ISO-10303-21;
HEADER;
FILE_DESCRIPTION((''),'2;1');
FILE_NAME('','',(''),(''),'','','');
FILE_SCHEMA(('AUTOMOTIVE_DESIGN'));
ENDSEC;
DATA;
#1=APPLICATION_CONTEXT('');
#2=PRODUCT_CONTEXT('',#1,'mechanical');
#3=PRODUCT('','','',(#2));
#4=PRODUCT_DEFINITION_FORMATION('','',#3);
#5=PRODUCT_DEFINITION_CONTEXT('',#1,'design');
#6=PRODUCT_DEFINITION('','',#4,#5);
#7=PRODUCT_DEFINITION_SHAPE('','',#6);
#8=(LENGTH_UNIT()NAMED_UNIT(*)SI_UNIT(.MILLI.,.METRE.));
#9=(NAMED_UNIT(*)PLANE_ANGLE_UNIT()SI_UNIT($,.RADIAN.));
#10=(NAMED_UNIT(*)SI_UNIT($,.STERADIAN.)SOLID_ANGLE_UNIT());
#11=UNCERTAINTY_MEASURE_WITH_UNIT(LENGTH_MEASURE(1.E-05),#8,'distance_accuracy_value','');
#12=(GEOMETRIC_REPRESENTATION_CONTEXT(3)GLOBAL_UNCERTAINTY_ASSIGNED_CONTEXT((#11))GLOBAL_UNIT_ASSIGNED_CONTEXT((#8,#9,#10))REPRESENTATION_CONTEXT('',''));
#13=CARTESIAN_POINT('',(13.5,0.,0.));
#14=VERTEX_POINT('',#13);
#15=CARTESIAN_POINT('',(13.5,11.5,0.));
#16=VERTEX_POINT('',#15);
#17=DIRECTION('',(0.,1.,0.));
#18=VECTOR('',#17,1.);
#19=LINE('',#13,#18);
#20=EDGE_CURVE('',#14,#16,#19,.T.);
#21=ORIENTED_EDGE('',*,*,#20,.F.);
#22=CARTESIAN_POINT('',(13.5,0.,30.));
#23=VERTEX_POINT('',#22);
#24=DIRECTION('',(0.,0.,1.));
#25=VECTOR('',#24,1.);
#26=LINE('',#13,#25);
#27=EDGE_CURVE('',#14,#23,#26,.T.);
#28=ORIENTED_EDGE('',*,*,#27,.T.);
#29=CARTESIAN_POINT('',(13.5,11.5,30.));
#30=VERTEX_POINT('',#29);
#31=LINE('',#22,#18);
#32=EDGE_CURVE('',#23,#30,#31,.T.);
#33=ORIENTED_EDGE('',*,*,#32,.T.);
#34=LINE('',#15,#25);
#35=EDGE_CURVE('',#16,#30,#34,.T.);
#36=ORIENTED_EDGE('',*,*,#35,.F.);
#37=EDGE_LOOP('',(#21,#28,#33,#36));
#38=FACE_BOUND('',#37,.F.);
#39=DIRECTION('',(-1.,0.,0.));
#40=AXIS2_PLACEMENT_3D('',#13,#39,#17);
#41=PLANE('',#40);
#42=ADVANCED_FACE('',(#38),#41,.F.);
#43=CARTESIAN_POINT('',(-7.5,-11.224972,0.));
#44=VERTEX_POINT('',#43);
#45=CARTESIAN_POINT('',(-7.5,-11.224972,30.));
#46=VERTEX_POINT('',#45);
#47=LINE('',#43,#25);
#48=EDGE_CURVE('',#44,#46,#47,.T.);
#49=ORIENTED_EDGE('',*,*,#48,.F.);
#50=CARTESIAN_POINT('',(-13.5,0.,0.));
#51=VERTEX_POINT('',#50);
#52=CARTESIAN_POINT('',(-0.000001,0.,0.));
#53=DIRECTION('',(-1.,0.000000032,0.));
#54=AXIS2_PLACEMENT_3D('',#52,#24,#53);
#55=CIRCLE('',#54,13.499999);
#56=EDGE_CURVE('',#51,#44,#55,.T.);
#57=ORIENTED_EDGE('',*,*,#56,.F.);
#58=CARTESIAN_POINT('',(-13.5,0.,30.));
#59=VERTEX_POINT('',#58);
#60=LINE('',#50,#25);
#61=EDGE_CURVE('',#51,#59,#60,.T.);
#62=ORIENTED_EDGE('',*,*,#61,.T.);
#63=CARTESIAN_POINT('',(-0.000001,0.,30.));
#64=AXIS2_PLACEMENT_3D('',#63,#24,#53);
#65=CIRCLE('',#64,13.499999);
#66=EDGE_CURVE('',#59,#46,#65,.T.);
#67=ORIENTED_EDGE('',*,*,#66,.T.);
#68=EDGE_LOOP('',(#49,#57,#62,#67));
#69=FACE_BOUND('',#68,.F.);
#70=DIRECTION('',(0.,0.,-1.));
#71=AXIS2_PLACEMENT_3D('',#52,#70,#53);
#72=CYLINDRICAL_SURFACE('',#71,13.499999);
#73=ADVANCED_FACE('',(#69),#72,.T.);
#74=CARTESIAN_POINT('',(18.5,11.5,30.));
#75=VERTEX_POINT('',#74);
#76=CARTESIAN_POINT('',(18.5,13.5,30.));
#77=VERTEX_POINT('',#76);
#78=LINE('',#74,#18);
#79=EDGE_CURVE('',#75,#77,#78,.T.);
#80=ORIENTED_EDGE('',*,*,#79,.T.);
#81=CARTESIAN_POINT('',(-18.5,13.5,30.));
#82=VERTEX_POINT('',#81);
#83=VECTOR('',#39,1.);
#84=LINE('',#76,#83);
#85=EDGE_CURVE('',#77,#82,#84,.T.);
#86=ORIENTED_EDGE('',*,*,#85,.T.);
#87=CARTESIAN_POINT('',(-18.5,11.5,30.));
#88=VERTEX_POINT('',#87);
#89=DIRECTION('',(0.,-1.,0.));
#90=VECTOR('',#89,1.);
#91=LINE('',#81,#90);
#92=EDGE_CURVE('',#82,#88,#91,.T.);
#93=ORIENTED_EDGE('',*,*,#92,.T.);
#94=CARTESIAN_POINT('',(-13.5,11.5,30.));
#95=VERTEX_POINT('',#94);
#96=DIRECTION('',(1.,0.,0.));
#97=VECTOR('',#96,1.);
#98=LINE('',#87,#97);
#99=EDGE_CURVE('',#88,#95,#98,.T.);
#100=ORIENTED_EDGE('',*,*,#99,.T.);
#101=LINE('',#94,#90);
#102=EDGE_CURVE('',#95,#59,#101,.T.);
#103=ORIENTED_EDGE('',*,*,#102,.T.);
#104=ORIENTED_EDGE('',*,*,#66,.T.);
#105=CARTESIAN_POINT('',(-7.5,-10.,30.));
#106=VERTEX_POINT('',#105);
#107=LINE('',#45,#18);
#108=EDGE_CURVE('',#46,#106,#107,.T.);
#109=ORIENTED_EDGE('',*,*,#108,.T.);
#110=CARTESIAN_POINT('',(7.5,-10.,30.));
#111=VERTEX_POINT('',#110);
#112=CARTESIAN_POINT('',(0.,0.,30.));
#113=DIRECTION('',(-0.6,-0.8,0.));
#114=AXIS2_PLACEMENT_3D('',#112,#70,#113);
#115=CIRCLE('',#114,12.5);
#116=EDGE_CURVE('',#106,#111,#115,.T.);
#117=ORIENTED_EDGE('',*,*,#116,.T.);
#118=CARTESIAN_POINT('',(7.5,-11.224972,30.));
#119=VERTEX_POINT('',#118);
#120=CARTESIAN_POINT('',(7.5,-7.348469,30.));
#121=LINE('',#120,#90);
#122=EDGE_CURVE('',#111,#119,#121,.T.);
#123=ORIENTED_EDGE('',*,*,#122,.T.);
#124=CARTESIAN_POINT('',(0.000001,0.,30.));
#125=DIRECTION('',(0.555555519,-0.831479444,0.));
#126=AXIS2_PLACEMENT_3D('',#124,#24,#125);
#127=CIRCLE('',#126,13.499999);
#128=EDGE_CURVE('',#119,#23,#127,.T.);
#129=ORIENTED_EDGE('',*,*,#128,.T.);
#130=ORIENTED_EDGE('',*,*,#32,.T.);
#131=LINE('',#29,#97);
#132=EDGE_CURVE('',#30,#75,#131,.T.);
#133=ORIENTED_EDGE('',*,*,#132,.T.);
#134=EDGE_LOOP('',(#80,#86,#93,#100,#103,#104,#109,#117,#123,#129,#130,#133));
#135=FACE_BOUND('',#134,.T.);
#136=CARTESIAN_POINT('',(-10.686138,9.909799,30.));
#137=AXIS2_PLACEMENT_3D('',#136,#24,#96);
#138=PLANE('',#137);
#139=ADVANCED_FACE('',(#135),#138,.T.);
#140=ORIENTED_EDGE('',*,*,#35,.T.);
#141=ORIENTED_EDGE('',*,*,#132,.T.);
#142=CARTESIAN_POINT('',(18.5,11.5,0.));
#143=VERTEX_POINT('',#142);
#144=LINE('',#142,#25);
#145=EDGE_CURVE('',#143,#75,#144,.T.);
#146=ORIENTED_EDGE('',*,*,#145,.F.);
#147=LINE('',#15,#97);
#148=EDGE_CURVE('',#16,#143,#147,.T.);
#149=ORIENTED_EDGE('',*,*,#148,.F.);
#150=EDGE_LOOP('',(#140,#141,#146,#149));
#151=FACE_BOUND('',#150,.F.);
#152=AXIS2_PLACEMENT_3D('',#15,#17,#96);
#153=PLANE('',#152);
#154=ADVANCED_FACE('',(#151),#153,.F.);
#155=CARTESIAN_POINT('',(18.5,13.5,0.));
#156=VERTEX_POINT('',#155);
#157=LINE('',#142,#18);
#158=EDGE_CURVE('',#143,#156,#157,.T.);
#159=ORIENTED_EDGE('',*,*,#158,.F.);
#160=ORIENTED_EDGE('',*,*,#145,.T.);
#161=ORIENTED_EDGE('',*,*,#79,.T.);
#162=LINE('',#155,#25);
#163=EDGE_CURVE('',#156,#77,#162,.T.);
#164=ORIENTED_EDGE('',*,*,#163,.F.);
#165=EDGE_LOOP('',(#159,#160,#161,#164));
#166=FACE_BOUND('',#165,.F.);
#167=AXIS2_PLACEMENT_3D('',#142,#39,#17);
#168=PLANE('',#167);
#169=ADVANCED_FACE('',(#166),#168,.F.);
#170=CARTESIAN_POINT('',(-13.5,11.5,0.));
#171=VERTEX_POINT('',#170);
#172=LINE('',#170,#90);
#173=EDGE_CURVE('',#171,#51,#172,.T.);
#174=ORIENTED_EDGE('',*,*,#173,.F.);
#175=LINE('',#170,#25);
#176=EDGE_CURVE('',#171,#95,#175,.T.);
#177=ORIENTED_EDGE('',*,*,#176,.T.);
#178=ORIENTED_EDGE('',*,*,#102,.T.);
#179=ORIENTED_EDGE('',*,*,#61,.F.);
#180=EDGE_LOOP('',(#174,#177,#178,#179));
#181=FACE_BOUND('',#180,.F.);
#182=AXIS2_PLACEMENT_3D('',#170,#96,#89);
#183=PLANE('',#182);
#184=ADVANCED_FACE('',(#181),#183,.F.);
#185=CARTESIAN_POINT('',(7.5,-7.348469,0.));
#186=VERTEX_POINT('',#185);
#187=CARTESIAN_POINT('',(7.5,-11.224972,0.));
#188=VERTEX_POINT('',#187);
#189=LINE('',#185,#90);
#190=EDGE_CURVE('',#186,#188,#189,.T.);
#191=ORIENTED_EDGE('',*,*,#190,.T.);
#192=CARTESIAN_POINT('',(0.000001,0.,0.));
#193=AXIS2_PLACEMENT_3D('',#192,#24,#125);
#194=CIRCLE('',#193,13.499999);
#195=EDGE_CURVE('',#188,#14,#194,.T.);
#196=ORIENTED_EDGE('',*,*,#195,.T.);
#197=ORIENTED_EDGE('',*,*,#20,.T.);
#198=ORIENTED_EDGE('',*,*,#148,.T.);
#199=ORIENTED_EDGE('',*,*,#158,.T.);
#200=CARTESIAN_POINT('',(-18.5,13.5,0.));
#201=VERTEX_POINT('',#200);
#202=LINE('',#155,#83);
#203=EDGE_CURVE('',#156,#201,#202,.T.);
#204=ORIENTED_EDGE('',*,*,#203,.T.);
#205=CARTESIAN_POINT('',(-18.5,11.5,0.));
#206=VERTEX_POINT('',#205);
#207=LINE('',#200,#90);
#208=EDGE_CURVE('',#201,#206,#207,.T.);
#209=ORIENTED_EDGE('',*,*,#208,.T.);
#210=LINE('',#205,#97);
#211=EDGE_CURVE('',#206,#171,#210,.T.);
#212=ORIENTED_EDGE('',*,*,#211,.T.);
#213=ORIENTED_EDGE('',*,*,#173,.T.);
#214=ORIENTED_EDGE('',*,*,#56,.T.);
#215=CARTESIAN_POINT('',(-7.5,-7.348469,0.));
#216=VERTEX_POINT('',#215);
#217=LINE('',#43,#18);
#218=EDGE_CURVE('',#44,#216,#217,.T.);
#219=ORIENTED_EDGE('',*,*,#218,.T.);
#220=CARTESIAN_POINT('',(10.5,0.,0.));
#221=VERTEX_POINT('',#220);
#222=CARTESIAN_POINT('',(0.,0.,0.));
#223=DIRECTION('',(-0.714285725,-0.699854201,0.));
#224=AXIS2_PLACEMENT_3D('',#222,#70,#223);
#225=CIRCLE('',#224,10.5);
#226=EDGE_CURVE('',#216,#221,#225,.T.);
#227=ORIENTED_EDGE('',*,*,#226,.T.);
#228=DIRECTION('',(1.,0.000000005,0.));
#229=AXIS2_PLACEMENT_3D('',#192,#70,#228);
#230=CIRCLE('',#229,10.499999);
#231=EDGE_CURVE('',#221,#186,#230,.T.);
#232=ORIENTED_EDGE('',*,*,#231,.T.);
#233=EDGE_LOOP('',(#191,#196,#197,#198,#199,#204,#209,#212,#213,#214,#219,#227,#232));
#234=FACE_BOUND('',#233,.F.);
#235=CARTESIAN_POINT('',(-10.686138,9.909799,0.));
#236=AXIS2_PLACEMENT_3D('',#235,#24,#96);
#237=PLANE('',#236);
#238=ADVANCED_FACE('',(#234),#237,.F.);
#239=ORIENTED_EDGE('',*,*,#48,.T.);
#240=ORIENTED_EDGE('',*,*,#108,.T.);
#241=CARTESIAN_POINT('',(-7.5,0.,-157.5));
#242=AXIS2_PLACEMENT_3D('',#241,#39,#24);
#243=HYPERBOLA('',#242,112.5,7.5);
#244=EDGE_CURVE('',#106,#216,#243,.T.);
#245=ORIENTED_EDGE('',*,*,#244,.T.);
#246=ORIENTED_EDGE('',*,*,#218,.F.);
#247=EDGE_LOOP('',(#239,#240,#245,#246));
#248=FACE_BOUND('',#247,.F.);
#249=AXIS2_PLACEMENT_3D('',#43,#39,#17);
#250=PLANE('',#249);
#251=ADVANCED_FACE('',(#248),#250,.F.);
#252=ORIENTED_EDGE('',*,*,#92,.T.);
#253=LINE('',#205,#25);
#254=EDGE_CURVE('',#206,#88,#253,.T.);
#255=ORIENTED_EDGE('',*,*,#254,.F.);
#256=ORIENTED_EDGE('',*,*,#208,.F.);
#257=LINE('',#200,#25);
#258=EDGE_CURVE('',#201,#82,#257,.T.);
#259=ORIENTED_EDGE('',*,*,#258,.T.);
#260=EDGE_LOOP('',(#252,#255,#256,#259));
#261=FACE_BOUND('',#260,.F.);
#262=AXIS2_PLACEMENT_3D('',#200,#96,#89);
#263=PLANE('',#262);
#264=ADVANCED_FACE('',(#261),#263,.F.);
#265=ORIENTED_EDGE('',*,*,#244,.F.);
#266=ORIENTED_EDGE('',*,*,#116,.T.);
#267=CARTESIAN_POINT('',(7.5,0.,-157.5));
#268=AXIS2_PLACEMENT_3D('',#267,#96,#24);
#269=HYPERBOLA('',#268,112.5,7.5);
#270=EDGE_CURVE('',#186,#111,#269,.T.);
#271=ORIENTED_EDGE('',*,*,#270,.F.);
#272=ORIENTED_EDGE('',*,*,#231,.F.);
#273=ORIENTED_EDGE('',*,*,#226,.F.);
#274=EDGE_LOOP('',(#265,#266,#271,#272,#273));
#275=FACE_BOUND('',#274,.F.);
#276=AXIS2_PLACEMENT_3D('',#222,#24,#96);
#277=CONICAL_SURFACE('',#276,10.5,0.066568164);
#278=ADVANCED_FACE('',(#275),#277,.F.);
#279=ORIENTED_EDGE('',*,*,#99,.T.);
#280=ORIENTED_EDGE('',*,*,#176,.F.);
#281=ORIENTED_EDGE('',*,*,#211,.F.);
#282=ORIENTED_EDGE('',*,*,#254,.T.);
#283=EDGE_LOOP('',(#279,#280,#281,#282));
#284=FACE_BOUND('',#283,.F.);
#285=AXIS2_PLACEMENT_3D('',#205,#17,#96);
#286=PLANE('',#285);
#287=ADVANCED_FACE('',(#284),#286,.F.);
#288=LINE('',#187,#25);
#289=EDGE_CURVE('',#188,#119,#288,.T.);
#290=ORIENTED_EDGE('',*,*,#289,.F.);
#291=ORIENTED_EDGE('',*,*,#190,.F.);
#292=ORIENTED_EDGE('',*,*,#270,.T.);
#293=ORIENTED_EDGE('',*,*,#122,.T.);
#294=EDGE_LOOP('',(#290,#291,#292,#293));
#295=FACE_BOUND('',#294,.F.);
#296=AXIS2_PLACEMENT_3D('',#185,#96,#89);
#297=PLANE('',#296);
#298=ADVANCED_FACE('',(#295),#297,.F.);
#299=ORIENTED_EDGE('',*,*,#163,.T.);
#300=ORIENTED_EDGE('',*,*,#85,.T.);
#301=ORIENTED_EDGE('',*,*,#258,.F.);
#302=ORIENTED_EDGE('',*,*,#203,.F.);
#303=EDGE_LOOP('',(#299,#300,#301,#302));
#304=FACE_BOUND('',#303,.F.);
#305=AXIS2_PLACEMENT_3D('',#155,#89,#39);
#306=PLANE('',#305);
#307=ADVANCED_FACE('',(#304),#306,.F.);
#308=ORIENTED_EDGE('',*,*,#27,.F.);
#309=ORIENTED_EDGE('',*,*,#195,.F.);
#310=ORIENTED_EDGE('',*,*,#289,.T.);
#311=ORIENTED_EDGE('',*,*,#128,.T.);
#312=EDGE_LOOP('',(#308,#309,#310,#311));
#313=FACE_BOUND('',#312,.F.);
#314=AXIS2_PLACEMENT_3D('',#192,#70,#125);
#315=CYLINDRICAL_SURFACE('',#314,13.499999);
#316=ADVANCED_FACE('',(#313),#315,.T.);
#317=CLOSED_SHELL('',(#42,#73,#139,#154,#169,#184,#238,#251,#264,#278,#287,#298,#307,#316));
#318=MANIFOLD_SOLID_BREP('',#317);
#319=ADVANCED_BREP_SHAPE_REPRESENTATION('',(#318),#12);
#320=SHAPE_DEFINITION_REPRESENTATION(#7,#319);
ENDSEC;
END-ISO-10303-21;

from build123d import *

# Parameters (mm, degrees)
F1_DEPTH = 30


with BuildPart() as f1:
    # F0 (on Top) → F1 (new body)
    with BuildSketch(Plane.XY):
        with BuildLine():
            ThreePointArc((-13.5, 0), (-9.545942, 9.545942), (0, 13.5))
            Line((0, 13.5), (-13.5, 13.5))
            Line((-13.5, 13.5), (-18.5, 13.5))
            Line((-18.5, 13.5), (-18.5, 11.5))
            Line((-18.5, 11.5), (-13.5, 11.5))
            Line((-13.5, 11.5), (-13.5, 0))
        make_face()
        with BuildLine():
            Line((13.5, 0), (13.5, 11.5))
            Line((13.5, 11.5), (18.5, 11.5))
            Line((18.5, 11.5), (18.5, 13.5))
            Line((18.5, 13.5), (13.5, 13.5))
            Line((13.5, 13.5), (0, 13.5))
            ThreePointArc((0, 13.5), (9.545942, 9.545942), (13.5, 0))
        make_face()
        with BuildLine():
            ThreePointArc((7.5, -11.224972), (11.905881, -6.363961), (13.5, 0))
            ThreePointArc((13.5, 0), (9.545942, 9.545942), (0, 13.5))
            ThreePointArc((0, 13.5), (-9.545942, 9.545942), (-13.5, 0))
            ThreePointArc((-13.5, 0), (-11.905881, -6.363961), (-7.5, -11.224972))
            Line((-7.5, -11.224972), (-7.5, -7.348469))
            ThreePointArc((-7.5, -7.348469), (-3.968627, 9.721111), (10.5, 0))
            ThreePointArc((10.5, 0), (9.721111, -3.968627), (7.5, -7.348469))
            Line((7.5, -7.348469), (7.5, -11.224972))
        make_face()
    extrude(amount=F1_DEPTH)

    # F2 (on Front) → F3 (revolve, cut)
    with BuildSketch(Plane.XZ):
        Polygon((0, 0), (10.5, 0), (12.5, 30), (0, 30), align=None)
    revolve(axis=Axis((0, 0, 15), (0, 0, 1)), mode=Mode.SUBTRACT)


solid = f1.part
